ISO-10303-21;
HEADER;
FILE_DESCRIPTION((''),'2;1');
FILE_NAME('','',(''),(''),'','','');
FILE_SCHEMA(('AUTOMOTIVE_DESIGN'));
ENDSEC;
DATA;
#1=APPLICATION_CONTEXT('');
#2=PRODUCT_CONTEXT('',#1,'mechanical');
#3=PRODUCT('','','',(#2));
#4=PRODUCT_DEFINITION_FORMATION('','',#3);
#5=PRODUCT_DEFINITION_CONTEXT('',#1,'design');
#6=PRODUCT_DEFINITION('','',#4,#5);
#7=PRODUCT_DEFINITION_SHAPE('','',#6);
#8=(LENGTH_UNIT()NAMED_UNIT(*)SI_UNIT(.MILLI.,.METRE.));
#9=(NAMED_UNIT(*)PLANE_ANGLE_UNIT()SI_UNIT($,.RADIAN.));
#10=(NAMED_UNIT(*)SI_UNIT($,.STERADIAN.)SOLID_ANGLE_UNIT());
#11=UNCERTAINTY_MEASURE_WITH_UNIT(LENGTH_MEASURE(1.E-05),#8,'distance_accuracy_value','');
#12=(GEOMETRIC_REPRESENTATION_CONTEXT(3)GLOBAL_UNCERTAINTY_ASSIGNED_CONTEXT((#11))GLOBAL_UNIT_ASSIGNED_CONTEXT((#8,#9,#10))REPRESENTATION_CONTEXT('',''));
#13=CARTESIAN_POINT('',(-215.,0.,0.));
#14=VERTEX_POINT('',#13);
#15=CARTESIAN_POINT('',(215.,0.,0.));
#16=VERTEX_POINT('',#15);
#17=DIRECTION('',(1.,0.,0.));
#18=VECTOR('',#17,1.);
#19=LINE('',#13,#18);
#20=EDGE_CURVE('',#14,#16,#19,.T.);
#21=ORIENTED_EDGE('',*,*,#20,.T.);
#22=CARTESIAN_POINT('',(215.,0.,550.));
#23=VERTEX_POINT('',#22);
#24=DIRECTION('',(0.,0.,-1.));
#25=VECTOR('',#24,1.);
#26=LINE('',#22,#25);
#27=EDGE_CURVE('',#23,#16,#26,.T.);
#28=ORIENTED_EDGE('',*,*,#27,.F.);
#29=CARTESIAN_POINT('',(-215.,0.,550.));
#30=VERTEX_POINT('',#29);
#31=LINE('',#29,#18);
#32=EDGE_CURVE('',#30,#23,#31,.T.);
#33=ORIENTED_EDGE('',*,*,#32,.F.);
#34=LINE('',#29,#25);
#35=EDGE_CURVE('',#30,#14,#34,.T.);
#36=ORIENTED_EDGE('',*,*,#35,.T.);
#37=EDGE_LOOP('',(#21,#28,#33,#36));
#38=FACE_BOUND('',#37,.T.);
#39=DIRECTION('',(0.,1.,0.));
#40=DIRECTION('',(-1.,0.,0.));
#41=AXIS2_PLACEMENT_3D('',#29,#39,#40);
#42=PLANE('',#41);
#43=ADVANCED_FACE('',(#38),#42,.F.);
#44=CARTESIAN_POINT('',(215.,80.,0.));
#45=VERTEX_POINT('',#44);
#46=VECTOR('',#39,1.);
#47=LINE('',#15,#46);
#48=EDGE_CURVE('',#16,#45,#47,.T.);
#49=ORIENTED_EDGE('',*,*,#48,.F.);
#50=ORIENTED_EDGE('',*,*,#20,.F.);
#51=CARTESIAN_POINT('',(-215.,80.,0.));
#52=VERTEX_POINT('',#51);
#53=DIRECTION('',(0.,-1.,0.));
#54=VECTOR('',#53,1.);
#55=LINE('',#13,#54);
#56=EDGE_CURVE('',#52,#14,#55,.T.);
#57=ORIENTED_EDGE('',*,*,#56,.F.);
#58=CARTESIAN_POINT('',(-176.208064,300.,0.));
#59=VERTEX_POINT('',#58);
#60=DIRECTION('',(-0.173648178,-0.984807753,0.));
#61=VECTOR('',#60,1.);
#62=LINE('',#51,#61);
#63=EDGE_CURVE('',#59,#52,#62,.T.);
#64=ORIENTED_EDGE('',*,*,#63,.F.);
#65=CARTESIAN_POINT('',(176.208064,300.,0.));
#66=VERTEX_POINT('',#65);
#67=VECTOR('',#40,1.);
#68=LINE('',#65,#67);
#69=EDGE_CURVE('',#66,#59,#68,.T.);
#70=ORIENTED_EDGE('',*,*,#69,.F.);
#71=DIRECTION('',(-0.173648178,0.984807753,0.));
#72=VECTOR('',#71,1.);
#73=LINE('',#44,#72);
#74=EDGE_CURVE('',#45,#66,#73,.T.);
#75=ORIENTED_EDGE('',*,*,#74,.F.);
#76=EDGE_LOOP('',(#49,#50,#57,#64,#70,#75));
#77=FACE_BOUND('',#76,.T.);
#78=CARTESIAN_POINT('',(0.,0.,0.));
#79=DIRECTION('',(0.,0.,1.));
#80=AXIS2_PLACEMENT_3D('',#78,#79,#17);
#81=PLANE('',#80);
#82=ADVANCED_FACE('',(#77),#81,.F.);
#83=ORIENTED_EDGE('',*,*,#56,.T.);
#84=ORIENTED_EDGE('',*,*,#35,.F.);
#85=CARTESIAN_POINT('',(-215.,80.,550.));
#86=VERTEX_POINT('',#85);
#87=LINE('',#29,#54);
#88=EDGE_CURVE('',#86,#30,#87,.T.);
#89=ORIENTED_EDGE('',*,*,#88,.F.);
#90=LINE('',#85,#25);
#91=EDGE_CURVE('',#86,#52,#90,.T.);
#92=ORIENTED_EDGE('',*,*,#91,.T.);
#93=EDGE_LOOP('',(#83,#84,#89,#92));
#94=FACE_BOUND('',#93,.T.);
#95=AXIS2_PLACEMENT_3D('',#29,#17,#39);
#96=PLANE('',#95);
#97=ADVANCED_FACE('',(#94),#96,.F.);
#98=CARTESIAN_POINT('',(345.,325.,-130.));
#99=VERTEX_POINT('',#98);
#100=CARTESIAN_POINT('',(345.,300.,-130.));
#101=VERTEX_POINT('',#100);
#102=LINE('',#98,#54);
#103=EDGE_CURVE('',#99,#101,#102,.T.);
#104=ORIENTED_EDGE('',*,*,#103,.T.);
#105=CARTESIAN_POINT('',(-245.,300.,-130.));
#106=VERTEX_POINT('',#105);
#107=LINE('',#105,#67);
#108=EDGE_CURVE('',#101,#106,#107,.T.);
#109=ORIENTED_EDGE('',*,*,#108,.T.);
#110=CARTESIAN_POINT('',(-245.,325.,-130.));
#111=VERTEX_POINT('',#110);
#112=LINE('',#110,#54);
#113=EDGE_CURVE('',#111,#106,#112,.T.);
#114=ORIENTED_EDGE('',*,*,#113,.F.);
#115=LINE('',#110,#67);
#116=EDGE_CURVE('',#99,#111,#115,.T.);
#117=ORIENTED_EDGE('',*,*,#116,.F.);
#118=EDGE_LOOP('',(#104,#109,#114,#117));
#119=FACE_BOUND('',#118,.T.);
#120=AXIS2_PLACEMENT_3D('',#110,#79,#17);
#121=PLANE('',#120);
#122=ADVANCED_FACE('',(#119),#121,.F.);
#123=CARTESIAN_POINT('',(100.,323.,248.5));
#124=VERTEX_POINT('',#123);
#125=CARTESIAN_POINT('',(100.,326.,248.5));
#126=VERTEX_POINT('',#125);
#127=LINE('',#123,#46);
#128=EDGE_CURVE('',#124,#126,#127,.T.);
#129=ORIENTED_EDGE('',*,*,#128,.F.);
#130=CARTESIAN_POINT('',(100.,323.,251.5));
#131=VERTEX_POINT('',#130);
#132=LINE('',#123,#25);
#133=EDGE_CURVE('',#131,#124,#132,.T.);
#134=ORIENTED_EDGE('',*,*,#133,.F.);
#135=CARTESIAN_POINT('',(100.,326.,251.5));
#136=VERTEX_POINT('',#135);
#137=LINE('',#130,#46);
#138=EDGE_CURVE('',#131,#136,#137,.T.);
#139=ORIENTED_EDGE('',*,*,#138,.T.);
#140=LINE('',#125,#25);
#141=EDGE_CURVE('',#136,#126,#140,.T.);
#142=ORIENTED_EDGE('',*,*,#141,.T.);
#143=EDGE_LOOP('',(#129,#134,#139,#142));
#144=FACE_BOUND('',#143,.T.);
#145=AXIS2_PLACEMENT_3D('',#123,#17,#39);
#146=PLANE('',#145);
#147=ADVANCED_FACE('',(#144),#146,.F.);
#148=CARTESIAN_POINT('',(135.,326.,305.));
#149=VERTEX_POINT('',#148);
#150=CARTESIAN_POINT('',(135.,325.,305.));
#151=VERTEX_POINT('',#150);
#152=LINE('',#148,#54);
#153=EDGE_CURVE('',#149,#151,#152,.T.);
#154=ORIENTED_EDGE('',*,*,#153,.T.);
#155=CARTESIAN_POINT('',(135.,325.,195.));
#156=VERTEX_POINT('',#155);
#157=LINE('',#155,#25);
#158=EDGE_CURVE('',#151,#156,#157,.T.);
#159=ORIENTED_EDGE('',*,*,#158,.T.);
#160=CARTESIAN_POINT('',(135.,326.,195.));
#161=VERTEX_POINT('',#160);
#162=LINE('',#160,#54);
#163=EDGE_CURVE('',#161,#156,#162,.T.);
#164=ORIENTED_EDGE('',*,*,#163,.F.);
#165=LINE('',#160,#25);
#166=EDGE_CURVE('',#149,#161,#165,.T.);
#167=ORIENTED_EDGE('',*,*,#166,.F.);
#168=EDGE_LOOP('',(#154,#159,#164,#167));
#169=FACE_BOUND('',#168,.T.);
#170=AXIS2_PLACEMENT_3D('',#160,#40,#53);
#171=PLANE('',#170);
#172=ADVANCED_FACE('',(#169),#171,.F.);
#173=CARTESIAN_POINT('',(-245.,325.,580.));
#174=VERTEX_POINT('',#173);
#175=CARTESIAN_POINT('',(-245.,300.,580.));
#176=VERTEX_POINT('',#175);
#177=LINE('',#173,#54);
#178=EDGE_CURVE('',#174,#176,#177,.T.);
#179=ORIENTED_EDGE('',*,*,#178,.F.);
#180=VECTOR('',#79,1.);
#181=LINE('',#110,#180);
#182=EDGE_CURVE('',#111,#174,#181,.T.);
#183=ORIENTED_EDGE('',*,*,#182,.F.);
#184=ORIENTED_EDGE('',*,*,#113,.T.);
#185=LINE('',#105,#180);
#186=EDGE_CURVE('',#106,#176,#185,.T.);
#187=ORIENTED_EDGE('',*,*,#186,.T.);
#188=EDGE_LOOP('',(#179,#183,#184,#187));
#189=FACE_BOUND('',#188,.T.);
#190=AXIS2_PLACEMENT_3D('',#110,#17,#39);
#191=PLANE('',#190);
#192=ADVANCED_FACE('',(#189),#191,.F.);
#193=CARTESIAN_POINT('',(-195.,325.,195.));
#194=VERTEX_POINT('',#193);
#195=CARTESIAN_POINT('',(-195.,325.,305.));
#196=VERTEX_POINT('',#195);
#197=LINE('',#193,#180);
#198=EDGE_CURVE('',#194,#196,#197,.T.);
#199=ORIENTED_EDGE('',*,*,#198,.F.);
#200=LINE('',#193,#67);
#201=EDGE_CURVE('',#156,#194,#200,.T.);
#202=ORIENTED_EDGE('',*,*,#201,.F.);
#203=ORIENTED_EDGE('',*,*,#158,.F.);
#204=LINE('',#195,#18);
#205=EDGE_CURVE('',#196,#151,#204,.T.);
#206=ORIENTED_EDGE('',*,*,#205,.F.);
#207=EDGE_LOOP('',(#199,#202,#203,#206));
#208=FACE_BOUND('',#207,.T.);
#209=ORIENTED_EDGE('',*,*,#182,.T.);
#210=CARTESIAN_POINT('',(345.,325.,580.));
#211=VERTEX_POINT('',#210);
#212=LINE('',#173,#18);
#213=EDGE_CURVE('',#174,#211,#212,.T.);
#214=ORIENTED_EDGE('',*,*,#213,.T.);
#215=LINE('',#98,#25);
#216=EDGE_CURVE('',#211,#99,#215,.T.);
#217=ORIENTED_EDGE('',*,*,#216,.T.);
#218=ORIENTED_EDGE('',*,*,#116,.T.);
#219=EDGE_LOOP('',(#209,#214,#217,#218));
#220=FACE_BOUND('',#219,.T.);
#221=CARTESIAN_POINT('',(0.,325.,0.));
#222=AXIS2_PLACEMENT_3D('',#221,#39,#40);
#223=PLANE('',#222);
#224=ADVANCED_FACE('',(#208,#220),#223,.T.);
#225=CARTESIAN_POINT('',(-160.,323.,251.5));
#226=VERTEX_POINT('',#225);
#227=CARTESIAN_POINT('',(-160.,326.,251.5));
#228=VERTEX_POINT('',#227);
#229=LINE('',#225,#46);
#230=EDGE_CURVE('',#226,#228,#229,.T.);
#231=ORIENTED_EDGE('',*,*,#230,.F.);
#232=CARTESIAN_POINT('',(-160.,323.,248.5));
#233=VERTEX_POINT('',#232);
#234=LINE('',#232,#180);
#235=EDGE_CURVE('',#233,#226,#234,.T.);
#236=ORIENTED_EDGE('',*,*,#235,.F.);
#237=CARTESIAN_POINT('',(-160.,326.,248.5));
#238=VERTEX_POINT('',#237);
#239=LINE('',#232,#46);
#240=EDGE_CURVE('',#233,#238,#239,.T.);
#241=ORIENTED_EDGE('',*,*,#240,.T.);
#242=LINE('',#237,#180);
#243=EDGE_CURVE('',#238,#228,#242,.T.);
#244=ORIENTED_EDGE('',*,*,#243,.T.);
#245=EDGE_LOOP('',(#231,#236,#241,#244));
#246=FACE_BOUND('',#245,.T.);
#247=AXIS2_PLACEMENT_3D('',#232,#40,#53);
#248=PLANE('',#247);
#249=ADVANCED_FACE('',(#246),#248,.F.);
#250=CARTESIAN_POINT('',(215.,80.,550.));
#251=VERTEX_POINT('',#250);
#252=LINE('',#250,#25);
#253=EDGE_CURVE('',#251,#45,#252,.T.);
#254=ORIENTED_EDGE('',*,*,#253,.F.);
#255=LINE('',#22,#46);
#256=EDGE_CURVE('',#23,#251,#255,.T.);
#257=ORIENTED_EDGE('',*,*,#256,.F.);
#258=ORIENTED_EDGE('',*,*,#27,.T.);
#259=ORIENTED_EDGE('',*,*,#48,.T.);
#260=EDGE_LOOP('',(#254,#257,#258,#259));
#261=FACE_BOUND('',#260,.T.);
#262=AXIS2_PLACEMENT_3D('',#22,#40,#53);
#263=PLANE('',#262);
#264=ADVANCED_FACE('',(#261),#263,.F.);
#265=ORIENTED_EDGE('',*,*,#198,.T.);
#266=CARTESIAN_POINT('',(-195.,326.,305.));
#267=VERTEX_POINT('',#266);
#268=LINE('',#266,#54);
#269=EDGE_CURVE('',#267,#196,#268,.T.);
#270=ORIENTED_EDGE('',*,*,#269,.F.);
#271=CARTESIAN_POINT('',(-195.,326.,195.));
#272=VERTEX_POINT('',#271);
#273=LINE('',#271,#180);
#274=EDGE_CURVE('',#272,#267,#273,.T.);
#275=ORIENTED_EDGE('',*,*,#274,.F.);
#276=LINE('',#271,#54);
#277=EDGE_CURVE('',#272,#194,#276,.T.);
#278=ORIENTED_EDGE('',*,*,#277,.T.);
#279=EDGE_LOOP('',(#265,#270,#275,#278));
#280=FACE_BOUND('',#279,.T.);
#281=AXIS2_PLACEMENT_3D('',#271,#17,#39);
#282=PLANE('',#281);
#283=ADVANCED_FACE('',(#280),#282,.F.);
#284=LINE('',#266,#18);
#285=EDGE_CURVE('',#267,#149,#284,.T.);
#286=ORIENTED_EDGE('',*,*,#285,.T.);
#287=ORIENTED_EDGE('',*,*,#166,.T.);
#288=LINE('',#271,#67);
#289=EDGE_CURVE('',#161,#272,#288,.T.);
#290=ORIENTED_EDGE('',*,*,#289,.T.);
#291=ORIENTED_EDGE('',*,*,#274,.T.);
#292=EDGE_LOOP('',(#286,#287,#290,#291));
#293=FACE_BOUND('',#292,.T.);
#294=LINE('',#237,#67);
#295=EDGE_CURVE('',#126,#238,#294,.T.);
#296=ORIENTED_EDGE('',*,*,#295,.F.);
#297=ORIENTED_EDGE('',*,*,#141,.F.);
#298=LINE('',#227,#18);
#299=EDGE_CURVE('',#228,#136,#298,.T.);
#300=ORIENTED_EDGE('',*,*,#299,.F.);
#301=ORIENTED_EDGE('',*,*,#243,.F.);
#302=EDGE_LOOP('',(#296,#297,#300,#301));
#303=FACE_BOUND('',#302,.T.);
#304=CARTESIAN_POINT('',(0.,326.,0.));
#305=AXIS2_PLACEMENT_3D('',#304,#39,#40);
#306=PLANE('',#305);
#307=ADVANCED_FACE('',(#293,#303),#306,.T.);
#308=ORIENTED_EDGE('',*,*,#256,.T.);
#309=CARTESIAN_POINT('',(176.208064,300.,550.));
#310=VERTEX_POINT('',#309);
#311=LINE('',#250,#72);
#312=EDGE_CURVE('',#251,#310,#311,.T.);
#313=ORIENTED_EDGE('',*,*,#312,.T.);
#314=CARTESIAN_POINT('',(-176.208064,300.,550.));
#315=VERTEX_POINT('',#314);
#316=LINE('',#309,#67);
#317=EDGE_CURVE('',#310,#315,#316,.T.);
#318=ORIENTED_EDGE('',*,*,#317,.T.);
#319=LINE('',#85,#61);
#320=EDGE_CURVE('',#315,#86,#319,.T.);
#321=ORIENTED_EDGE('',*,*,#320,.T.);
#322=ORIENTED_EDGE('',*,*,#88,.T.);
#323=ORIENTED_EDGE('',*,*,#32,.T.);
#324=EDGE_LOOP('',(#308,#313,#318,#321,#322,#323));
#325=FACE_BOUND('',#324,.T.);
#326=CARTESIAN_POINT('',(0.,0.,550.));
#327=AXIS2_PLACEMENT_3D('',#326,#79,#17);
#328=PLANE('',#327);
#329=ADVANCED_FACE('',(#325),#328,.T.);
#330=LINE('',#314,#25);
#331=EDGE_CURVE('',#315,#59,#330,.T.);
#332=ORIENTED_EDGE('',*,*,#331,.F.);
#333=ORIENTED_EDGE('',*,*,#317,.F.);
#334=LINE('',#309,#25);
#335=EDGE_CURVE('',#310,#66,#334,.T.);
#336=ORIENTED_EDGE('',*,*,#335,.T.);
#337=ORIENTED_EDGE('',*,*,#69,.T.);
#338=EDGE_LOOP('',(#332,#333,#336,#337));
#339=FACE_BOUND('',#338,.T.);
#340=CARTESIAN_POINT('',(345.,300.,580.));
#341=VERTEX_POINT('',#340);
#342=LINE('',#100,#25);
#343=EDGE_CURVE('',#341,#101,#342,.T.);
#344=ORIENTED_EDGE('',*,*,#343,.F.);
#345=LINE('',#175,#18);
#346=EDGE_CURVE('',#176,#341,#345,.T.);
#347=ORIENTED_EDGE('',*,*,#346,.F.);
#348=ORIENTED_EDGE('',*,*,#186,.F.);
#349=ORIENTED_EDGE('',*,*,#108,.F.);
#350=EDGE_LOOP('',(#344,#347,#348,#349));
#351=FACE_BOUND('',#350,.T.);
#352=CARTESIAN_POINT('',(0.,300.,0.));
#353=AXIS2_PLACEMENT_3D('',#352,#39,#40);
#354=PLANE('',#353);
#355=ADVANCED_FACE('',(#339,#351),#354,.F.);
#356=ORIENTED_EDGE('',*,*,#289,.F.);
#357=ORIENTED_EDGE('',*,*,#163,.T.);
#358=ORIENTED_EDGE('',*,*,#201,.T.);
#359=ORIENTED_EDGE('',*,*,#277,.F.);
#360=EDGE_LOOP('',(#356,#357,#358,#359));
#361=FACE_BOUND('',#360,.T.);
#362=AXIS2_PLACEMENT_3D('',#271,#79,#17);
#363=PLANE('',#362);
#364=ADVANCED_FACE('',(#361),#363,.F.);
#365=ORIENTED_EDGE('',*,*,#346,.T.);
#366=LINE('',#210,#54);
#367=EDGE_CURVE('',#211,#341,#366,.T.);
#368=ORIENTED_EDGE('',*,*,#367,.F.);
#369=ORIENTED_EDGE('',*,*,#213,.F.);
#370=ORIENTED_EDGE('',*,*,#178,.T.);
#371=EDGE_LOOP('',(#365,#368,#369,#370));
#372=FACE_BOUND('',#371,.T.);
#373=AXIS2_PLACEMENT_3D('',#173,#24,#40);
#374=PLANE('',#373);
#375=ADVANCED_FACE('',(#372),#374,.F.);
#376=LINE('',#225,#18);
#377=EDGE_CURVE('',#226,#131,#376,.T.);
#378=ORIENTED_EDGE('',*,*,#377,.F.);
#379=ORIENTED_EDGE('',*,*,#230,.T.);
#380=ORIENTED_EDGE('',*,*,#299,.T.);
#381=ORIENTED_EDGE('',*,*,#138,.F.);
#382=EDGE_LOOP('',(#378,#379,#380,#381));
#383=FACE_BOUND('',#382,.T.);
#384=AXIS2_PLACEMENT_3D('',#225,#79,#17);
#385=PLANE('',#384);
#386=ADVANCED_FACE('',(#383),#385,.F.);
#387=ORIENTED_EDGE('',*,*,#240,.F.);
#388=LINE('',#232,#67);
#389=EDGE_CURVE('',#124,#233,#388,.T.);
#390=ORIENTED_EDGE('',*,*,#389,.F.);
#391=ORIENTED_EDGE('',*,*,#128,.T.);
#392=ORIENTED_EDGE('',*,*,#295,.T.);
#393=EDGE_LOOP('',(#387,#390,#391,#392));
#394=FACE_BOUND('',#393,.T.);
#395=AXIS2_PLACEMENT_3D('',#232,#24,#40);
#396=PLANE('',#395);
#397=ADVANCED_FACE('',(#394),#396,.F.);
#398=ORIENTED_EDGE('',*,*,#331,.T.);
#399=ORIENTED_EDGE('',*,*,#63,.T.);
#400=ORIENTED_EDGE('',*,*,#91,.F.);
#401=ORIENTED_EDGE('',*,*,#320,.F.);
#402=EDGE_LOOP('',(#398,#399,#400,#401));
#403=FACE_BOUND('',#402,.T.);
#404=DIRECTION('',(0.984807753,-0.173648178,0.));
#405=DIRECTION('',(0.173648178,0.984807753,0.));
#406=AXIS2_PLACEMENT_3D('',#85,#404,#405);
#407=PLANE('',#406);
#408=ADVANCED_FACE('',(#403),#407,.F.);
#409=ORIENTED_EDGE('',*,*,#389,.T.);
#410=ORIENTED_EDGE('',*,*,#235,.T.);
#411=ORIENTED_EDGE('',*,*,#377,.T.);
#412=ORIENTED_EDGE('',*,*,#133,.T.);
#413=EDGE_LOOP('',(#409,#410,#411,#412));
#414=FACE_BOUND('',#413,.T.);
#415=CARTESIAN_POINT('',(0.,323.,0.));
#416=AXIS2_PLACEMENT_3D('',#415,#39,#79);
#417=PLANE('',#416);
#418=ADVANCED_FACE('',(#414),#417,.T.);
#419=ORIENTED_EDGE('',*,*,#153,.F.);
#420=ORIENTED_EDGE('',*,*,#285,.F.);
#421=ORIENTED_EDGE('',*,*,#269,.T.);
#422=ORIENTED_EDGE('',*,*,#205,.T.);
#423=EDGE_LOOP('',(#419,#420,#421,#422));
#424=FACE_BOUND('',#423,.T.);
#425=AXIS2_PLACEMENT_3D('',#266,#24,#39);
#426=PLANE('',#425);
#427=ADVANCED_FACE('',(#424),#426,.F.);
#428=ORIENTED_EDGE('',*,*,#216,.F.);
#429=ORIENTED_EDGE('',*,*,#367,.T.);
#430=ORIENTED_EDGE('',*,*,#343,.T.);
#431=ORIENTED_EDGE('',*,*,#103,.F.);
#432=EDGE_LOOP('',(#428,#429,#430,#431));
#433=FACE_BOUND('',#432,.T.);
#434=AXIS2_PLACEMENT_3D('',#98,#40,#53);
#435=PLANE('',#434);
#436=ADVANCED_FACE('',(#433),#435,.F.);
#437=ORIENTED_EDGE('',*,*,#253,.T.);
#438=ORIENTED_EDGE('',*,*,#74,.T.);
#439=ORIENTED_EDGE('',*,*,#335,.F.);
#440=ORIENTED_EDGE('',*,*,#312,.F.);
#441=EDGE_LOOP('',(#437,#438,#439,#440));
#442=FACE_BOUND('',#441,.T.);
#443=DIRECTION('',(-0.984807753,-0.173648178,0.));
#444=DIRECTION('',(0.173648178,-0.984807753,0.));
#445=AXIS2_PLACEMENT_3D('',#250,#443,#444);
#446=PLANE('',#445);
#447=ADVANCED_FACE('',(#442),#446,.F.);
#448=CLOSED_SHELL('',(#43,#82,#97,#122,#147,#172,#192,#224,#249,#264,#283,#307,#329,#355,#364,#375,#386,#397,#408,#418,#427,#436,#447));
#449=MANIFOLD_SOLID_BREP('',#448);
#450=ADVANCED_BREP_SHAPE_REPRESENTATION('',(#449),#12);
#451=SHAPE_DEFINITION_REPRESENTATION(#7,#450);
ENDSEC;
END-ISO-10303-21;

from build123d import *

# Parameters (mm, degrees)
BOSS_EXTRU_1_DEPTH      = 550
ESQUISSE2_W             = 590
ESQUISSE2_H             = 710
BOSS_EXTRU_2_DEPTH      = 25
ESQUISSE3_W             = 330
ESQUISSE3_H             = 110
BOSS_EXTRU_3_DEPTH      = 1
ESQUISSE4_W             = 260
ESQUISSE4_H             = 3
ENL_V_MAT_EXTRU_1_DEPTH = 3


with BuildPart() as part:
    # Esquisse1 → Boss.-Extru.1 (new body)
    with BuildSketch(Plane.XY):
        Polygon((-215, 0), (215, 0), (215, 80), (176.208064244, 300), (-176.208064244, 300), (-215, 80), align=None)
    extrude(amount=BOSS_EXTRU_1_DEPTH)

    # Esquisse2 → Boss.-Extru.2 (add)
    with BuildSketch(Plane(origin=(0, 300, 0), x_dir=(1, 0, 0), z_dir=(0, 1, 0))):
        with Locations((50, -225)):
            Rectangle(ESQUISSE2_W, ESQUISSE2_H)
    extrude(amount=BOSS_EXTRU_2_DEPTH)

    # Esquisse3 → Boss.-Extru.3 (add)
    with BuildSketch(Plane(origin=(0, 325, 0), x_dir=(1, 0, 0), z_dir=(0, 1, 0))):
        with Locations((-30, -250)):
            Rectangle(ESQUISSE3_W, ESQUISSE3_H)
    extrude(amount=BOSS_EXTRU_3_DEPTH)

    # Esquisse4 → Enlèv. mat.-Extru.1 (cut)
    with BuildSketch(Plane(origin=(0, 326, 0), x_dir=(1, 0, 0), z_dir=(0, 1, 0))):
        with Locations((-30, -250)):
            Rectangle(ESQUISSE4_W, ESQUISSE4_H)
    extrude(amount=-ENL_V_MAT_EXTRU_1_DEPTH, mode=Mode.SUBTRACT)


solid = part.part
